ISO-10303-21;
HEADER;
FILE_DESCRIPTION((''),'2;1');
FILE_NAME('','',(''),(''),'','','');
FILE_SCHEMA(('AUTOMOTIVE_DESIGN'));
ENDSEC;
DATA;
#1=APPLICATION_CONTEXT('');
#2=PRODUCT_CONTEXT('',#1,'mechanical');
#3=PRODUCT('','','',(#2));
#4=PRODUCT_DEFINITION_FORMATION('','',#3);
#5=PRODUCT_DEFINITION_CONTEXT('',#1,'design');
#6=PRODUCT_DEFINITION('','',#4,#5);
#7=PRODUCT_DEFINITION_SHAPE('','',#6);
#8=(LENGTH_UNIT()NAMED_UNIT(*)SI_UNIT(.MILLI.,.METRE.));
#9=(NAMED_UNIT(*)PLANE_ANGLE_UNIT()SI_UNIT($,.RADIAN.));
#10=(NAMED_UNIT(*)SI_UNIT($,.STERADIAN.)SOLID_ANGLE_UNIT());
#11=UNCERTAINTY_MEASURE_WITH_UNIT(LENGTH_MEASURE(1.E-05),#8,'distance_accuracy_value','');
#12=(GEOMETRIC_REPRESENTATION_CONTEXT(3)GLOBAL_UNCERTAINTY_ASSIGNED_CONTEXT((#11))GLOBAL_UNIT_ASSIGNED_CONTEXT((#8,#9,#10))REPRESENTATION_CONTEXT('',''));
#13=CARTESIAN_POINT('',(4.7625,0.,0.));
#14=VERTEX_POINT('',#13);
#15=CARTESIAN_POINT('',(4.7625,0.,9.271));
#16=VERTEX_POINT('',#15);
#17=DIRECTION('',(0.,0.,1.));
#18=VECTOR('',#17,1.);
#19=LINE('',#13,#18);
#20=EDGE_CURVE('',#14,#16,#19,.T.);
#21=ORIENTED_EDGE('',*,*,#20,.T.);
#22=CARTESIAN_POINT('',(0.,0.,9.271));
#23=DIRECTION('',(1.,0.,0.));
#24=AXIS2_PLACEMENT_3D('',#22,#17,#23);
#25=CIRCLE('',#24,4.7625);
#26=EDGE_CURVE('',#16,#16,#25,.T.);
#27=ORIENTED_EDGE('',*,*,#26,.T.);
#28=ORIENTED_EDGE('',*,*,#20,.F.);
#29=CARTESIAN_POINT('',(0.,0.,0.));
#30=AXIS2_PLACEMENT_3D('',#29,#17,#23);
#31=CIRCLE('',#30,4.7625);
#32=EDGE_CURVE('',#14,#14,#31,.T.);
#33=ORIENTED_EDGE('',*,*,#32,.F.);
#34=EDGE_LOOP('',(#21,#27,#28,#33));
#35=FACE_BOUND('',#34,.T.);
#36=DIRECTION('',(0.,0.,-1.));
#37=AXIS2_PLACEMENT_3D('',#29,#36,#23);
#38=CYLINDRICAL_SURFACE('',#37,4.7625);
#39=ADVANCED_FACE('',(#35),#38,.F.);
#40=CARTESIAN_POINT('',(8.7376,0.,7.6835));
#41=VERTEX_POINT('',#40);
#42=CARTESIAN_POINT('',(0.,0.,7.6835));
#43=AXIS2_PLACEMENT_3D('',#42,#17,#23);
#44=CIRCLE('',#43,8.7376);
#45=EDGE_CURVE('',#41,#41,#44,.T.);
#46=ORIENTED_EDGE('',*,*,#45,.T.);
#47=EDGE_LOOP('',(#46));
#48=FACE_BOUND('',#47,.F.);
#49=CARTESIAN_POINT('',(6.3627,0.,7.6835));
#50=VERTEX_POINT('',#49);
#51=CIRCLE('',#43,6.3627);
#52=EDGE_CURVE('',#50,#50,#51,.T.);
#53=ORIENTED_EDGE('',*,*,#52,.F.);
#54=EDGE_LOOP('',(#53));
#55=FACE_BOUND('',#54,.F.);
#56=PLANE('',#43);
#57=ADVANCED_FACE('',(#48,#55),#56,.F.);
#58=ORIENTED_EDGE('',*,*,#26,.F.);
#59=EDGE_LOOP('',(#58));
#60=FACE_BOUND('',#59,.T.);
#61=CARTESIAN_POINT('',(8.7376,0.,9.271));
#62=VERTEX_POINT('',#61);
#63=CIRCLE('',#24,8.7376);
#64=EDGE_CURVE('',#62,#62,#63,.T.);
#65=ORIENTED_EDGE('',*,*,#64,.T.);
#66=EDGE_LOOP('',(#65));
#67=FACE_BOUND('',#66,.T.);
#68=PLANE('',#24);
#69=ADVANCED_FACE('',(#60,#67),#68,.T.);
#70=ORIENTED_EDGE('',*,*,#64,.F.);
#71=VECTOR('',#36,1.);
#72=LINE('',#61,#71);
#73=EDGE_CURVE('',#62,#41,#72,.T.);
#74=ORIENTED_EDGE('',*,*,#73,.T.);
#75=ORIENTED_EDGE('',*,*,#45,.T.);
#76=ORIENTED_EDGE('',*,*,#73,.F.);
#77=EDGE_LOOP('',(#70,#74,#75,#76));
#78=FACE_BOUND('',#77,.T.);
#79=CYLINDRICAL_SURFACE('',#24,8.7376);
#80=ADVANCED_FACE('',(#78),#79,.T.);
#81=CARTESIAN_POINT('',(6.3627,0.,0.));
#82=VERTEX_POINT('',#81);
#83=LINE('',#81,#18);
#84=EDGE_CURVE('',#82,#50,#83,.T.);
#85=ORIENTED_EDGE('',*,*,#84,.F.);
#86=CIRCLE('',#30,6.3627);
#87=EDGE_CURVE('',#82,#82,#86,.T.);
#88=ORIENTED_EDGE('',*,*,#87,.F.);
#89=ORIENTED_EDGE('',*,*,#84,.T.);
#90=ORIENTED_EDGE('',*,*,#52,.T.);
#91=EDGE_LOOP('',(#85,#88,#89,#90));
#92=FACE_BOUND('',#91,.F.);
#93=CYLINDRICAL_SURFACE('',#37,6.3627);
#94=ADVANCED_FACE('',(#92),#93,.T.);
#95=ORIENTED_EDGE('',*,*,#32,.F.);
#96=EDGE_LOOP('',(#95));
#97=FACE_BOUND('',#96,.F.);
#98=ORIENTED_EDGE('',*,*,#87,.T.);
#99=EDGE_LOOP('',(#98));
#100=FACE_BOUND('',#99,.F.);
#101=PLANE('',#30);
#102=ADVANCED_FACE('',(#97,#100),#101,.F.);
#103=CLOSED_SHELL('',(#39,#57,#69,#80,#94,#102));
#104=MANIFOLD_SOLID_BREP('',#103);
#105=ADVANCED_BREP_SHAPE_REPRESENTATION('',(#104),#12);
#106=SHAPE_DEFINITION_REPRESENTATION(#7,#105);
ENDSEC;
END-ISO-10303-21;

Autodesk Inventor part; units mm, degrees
ref_plane "YZ Plane" through (0, 0, 0) normal (1, 0, 0) x (0, 1, 0)
ref_plane "XZ Plane" through (0, 0, 0) normal (0, 1, 0) x (-1, 0, 0)
ref_plane "XY Plane" through (0, 0, 0) normal (0, 0, 1) x (1, 0, 0)
sketch "Sketch1" plane through (0, 0, 0) normal (0, 0, 1) x (1, 0, 0)
  circle A0 centre (0, 0) radius 6.3627
  circle A1 centre (0, 0) radius 4.7625
  dimension "d0" = 12.7254
  dimension "d1" = 9.525
extrude "Extrusion1" add sketch "Sketch1" along normal blind 9.271
sketch "Sketch2" plane through (0, 0, 9.271) normal (0, 0, 1) x (1, 0, 0)
  circle A0 centre (0, 0) radius 8.7376
  circle A1 centre (0, 0) radius 4.7625 projected
  circle A2 centre (0, 0) radius 6.3627 projected
  dimension "d4" = 17.4752
extrude "Extrusion2" add sketch "Sketch2" against normal blind 1.5875 contours A0
properties part number "3_8_FLANGED_BUSHING" material "Brass, Soft Yellow"
